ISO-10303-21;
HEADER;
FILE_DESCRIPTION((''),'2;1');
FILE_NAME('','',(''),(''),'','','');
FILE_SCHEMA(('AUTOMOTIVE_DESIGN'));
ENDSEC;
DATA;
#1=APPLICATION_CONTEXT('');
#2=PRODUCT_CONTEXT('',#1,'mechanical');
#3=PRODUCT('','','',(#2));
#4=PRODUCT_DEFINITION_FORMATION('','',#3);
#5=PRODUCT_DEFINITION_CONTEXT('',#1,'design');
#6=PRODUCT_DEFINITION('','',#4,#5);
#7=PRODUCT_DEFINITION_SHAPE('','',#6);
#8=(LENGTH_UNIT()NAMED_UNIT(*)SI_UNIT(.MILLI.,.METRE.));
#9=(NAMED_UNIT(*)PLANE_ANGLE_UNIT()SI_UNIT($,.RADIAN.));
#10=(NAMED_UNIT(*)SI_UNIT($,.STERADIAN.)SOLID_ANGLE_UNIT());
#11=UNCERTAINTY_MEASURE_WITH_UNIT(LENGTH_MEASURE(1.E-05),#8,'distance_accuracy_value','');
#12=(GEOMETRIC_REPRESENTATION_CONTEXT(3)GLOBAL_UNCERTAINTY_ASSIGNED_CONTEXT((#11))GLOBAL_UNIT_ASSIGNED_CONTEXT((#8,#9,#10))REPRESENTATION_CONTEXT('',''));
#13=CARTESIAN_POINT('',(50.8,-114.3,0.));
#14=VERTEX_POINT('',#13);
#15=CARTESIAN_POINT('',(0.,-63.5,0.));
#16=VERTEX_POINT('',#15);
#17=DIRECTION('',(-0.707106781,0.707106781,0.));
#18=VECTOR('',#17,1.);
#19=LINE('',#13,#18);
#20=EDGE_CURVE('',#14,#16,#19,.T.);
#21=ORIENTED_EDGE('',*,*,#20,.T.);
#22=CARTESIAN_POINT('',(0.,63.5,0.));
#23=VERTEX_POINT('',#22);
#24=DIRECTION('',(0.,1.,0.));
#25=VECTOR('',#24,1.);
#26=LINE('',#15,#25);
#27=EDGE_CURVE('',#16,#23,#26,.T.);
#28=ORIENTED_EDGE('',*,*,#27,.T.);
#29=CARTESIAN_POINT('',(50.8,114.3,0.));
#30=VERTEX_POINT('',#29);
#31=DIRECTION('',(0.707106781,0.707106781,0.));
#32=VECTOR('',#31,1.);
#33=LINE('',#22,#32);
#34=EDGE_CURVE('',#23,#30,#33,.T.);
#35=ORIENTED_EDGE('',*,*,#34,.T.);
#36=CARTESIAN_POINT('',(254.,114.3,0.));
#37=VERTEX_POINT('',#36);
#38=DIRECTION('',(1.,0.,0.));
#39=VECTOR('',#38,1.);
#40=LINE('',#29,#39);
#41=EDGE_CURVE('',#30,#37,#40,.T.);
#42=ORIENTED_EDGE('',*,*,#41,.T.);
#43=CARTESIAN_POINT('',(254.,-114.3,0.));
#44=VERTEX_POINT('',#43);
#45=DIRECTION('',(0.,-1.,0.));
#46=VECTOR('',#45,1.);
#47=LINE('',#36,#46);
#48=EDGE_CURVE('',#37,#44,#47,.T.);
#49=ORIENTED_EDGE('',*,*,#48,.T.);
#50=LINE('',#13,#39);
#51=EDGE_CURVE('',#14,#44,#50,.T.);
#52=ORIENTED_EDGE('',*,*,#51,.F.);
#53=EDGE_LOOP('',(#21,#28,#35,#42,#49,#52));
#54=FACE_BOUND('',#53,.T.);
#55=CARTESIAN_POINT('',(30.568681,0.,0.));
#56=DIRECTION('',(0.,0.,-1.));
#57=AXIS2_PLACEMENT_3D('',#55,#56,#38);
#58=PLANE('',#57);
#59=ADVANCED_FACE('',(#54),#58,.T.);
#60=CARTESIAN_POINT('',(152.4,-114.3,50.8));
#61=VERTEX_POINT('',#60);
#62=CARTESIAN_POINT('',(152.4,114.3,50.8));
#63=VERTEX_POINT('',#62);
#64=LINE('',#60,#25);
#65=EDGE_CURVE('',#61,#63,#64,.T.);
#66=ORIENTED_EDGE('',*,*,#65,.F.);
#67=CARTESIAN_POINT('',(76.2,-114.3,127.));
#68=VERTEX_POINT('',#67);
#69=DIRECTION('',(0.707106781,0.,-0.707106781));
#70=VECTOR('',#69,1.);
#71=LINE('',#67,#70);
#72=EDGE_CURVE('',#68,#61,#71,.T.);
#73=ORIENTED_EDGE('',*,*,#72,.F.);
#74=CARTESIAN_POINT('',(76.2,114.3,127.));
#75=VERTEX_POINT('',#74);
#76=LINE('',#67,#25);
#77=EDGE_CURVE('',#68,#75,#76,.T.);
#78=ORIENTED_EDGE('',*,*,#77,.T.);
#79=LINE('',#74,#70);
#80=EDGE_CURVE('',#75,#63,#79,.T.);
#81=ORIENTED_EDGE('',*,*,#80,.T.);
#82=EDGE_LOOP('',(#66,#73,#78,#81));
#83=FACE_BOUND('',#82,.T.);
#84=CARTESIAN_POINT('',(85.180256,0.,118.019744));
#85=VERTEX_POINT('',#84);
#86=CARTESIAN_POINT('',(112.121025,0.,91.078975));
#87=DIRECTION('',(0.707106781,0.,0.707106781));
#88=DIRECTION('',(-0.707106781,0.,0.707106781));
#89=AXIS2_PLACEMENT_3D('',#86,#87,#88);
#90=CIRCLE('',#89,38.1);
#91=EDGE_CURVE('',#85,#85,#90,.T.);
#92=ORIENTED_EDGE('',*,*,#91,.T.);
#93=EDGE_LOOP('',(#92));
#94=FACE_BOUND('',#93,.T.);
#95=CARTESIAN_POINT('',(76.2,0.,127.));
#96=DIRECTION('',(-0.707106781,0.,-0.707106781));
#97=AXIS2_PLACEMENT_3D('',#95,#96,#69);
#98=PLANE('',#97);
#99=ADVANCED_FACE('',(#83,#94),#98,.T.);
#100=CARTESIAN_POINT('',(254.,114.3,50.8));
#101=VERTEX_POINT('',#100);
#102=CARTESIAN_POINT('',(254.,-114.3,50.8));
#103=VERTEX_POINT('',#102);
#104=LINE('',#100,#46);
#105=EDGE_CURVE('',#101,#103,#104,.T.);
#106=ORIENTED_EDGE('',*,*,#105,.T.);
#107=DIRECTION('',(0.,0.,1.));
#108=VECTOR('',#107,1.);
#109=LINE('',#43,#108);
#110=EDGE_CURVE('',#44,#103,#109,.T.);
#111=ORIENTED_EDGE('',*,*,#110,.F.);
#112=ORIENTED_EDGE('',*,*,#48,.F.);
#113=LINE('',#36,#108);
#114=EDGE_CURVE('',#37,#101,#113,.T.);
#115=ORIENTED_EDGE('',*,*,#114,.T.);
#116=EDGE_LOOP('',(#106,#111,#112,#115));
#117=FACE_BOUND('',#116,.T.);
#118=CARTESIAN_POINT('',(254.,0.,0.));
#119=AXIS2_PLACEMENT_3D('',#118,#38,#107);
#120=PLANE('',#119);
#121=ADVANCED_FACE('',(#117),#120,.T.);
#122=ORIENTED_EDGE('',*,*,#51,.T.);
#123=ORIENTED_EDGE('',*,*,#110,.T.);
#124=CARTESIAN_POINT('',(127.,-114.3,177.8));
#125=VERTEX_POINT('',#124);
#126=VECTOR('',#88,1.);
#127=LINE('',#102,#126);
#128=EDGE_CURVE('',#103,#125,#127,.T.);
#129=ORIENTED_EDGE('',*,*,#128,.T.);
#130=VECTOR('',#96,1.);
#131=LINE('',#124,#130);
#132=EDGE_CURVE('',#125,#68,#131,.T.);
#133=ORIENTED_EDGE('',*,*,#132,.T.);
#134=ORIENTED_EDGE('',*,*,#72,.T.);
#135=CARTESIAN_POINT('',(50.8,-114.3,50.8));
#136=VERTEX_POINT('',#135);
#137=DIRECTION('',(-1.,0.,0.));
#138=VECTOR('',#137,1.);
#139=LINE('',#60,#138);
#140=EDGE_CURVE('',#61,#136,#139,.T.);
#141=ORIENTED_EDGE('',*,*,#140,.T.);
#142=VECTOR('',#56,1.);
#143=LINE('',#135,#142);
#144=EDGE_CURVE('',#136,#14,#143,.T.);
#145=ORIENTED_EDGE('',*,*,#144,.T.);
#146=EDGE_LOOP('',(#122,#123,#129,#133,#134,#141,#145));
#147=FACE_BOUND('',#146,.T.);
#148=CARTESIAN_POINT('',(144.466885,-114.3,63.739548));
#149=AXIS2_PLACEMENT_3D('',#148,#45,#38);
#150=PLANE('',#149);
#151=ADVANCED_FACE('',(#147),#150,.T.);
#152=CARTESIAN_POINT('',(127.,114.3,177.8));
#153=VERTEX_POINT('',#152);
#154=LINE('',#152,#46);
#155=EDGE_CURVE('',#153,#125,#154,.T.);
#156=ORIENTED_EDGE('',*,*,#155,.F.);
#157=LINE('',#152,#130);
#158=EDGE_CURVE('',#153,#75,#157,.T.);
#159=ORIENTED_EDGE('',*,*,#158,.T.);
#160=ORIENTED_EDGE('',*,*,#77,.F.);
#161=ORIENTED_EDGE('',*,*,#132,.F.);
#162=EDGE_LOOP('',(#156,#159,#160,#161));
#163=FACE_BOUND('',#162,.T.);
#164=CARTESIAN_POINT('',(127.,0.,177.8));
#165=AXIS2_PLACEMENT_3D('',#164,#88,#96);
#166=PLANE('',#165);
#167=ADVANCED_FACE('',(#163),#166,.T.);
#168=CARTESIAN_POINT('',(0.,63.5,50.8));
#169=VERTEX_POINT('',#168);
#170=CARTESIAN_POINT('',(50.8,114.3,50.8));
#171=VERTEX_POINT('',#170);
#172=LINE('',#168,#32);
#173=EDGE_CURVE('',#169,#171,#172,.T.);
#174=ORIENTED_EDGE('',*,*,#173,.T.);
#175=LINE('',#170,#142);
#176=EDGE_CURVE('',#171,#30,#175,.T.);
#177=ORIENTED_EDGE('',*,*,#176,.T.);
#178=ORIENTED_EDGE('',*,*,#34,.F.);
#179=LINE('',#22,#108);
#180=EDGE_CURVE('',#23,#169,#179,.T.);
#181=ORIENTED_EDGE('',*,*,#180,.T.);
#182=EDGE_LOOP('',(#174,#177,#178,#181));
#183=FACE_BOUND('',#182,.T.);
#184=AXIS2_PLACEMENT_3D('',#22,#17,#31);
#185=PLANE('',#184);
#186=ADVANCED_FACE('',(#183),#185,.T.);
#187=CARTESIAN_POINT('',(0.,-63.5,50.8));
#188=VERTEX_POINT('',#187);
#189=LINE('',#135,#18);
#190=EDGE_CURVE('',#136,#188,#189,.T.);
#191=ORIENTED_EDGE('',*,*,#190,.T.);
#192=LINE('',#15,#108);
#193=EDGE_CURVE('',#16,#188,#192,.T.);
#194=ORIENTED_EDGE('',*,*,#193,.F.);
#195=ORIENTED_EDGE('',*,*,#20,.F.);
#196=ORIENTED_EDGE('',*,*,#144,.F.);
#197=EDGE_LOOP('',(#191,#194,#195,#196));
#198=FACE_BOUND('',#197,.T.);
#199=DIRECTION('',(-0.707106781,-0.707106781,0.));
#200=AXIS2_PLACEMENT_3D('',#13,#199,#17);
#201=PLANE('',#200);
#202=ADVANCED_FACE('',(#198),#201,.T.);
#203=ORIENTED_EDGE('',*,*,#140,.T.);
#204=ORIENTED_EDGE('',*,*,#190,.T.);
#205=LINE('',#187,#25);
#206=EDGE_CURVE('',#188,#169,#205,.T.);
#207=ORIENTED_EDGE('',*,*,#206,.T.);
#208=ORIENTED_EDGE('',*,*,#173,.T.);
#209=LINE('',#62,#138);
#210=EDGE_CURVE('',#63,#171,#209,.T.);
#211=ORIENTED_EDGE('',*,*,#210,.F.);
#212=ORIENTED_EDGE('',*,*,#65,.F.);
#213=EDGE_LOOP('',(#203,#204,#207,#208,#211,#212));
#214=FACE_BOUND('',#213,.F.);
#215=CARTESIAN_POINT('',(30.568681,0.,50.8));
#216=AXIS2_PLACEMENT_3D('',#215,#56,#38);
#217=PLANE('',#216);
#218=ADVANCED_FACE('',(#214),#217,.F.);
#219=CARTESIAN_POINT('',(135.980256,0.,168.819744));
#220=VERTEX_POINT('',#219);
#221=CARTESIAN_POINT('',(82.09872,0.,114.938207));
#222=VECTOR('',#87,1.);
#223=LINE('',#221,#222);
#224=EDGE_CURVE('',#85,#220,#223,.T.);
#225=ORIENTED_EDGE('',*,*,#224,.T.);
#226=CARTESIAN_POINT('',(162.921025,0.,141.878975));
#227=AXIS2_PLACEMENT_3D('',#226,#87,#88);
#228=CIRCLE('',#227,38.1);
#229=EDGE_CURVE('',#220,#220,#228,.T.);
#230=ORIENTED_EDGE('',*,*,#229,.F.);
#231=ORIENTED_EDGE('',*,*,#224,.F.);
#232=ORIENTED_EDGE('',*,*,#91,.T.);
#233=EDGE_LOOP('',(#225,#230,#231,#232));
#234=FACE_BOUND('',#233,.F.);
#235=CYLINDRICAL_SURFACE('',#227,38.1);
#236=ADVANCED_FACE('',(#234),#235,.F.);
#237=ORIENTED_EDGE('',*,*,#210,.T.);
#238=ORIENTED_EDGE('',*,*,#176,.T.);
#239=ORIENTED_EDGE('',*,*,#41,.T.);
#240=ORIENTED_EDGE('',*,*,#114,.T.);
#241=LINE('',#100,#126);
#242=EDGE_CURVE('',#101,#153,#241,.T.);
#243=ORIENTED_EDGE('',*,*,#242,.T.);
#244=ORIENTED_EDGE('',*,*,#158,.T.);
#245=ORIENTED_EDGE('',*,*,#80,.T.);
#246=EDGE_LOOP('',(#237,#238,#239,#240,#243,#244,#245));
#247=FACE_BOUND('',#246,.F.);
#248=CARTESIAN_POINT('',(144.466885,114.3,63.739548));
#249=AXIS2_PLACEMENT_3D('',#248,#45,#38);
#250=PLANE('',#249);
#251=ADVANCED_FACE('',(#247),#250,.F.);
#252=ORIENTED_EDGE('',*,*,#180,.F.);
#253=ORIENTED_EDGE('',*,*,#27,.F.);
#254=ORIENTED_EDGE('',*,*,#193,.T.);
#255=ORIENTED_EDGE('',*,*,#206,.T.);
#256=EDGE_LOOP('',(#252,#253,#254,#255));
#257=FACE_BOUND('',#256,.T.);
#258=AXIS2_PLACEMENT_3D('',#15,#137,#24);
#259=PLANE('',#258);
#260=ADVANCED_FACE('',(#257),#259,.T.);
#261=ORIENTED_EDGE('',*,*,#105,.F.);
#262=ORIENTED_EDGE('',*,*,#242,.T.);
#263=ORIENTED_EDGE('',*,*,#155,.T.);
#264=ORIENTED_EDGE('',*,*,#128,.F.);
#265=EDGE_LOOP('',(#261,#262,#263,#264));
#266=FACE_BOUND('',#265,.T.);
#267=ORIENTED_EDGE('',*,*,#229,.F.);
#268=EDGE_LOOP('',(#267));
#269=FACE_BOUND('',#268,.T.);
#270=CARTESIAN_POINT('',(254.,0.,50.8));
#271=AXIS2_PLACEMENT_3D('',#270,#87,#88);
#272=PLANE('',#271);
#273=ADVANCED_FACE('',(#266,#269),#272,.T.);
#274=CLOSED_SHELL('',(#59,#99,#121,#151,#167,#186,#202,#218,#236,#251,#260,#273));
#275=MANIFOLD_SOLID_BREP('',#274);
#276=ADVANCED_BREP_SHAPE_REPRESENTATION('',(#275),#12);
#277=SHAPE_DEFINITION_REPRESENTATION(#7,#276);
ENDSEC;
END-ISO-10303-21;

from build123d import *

# Parameters (mm, degrees)
F1_DEPTH = 114.3
F3_DEPTH = 50.8
F5_DEPTH = 76.2


with BuildPart() as f1:
    # F0 (on Front) → F1 (new body, symmetric)
    with BuildSketch(Plane.XZ):
        Polygon((50.8, 50.8), (50.8, 0), (254, 0), (254, 50.8), (127, 177.8), (76.2, 127), (152.4, 50.8), align=None)
    extrude(amount=F1_DEPTH, both=True)

    # F2 (on face) → F3 (join)
    with BuildSketch(Plane(origin=(0, 0, 0), x_dir=(1, 0, 0), z_dir=(0, 0, -1))):
        Polygon((50.8, -114.3), (50.8, 114.3), (0, 63.5), (0, 0), (0, -63.5), align=None)
    extrude(amount=-F3_DEPTH)

    # F4 (on face) → F5 (cut, symmetric)
    with BuildSketch(Plane(origin=(152.4, 0, 152.4), x_dir=(0.707107, 0, -0.707107), z_dir=(0.707107, 0, 0.707107))):
        with BuildLine():
            ThreePointArc((52.978976, 0), (14.878976, 38.1), (-23.221024, 0))
            ThreePointArc((-23.221024, 0), (14.878976, -38.1), (52.978976, 0))
        make_face()
    extrude(amount=F5_DEPTH, both=True, mode=Mode.SUBTRACT)


solid = f1.part
